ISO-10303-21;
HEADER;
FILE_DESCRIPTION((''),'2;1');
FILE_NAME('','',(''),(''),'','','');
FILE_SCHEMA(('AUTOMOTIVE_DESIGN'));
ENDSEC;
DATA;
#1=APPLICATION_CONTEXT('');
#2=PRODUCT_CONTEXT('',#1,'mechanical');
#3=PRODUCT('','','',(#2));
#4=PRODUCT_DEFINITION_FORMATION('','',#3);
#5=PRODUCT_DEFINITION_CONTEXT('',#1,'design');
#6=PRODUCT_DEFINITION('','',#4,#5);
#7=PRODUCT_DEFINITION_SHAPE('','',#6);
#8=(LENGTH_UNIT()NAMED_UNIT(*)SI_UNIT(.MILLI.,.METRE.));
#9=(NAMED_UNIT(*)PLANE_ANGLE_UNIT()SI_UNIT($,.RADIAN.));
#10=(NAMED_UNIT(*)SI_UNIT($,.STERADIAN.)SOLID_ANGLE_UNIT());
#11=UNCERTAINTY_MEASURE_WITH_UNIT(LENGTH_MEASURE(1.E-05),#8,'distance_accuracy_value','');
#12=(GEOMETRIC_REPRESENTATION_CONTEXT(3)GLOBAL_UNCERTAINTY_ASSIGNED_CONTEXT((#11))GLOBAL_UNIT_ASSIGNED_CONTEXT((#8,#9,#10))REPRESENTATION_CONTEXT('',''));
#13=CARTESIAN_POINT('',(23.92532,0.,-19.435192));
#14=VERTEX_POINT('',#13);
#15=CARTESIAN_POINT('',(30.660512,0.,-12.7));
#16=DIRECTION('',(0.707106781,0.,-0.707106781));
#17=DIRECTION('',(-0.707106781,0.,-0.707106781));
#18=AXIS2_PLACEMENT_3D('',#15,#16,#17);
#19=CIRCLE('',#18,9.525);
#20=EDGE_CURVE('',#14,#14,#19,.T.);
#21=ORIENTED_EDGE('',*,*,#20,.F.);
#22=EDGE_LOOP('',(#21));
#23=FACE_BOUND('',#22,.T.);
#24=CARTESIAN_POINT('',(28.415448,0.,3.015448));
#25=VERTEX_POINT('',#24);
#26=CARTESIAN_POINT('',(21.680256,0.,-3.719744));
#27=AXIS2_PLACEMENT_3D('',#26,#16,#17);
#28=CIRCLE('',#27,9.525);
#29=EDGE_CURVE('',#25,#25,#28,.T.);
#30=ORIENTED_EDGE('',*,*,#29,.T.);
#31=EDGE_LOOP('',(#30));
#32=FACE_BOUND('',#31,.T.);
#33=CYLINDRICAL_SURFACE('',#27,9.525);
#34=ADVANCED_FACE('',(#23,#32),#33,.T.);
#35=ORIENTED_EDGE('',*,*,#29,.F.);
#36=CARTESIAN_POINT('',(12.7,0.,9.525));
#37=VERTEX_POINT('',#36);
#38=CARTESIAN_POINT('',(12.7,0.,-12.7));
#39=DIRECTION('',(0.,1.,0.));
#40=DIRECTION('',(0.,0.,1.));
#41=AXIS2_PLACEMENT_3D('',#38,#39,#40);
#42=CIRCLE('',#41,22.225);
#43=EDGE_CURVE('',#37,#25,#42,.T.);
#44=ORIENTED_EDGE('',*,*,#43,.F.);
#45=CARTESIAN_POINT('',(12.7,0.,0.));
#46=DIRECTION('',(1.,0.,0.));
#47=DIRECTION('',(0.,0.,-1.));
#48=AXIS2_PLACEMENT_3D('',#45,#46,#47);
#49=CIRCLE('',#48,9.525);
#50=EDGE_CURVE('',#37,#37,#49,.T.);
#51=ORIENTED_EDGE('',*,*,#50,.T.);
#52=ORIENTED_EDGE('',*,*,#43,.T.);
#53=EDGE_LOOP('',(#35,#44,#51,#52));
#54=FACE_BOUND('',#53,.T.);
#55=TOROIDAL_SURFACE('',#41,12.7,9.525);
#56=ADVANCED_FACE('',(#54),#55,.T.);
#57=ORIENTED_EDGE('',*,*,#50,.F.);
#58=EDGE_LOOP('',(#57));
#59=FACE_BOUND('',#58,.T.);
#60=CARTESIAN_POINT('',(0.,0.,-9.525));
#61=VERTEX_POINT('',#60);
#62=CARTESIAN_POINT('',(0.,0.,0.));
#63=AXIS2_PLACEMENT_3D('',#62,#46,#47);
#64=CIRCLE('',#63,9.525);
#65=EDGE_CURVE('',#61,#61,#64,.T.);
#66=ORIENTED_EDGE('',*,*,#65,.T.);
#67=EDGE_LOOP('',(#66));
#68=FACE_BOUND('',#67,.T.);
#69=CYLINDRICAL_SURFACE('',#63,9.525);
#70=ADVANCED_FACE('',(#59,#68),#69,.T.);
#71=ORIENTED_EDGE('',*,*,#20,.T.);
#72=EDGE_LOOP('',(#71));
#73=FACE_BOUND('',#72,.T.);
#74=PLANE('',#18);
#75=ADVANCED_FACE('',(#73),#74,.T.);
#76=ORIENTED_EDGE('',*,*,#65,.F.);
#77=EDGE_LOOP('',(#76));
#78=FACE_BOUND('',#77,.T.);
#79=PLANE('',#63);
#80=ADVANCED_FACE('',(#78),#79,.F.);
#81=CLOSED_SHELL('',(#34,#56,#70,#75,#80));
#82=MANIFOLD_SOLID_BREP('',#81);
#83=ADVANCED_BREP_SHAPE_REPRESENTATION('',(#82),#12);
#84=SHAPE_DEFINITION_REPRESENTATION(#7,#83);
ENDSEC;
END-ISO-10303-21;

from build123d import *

# Parameters (mm, degrees)
SKETCH2_R = 9.525


with BuildPart() as part:
    # Sweep1: sweep along a path in Sketch1
    with BuildLine(Plane(origin=(0, 0, 0), x_dir=(1, 0, 0), z_dir=(0, 1, 0))) as sweep1_path:
        Line((0, 0), (12.7, 0))
        ThreePointArc((12.7, 0), (17.560079591, 0.966729937), (21.680256121, 3.719743879))
        Line((21.680256121, 3.719743879), (30.660512242, 12.7))
    # Sketch2 → Sweep1 (sweep)
    with BuildSketch(Plane(origin=(0, 0, 0), x_dir=(0, 0, -1), z_dir=(1, 0, 0))):
        Circle(SKETCH2_R)
    sweep(path=sweep1_path.line)


solid = part.part
